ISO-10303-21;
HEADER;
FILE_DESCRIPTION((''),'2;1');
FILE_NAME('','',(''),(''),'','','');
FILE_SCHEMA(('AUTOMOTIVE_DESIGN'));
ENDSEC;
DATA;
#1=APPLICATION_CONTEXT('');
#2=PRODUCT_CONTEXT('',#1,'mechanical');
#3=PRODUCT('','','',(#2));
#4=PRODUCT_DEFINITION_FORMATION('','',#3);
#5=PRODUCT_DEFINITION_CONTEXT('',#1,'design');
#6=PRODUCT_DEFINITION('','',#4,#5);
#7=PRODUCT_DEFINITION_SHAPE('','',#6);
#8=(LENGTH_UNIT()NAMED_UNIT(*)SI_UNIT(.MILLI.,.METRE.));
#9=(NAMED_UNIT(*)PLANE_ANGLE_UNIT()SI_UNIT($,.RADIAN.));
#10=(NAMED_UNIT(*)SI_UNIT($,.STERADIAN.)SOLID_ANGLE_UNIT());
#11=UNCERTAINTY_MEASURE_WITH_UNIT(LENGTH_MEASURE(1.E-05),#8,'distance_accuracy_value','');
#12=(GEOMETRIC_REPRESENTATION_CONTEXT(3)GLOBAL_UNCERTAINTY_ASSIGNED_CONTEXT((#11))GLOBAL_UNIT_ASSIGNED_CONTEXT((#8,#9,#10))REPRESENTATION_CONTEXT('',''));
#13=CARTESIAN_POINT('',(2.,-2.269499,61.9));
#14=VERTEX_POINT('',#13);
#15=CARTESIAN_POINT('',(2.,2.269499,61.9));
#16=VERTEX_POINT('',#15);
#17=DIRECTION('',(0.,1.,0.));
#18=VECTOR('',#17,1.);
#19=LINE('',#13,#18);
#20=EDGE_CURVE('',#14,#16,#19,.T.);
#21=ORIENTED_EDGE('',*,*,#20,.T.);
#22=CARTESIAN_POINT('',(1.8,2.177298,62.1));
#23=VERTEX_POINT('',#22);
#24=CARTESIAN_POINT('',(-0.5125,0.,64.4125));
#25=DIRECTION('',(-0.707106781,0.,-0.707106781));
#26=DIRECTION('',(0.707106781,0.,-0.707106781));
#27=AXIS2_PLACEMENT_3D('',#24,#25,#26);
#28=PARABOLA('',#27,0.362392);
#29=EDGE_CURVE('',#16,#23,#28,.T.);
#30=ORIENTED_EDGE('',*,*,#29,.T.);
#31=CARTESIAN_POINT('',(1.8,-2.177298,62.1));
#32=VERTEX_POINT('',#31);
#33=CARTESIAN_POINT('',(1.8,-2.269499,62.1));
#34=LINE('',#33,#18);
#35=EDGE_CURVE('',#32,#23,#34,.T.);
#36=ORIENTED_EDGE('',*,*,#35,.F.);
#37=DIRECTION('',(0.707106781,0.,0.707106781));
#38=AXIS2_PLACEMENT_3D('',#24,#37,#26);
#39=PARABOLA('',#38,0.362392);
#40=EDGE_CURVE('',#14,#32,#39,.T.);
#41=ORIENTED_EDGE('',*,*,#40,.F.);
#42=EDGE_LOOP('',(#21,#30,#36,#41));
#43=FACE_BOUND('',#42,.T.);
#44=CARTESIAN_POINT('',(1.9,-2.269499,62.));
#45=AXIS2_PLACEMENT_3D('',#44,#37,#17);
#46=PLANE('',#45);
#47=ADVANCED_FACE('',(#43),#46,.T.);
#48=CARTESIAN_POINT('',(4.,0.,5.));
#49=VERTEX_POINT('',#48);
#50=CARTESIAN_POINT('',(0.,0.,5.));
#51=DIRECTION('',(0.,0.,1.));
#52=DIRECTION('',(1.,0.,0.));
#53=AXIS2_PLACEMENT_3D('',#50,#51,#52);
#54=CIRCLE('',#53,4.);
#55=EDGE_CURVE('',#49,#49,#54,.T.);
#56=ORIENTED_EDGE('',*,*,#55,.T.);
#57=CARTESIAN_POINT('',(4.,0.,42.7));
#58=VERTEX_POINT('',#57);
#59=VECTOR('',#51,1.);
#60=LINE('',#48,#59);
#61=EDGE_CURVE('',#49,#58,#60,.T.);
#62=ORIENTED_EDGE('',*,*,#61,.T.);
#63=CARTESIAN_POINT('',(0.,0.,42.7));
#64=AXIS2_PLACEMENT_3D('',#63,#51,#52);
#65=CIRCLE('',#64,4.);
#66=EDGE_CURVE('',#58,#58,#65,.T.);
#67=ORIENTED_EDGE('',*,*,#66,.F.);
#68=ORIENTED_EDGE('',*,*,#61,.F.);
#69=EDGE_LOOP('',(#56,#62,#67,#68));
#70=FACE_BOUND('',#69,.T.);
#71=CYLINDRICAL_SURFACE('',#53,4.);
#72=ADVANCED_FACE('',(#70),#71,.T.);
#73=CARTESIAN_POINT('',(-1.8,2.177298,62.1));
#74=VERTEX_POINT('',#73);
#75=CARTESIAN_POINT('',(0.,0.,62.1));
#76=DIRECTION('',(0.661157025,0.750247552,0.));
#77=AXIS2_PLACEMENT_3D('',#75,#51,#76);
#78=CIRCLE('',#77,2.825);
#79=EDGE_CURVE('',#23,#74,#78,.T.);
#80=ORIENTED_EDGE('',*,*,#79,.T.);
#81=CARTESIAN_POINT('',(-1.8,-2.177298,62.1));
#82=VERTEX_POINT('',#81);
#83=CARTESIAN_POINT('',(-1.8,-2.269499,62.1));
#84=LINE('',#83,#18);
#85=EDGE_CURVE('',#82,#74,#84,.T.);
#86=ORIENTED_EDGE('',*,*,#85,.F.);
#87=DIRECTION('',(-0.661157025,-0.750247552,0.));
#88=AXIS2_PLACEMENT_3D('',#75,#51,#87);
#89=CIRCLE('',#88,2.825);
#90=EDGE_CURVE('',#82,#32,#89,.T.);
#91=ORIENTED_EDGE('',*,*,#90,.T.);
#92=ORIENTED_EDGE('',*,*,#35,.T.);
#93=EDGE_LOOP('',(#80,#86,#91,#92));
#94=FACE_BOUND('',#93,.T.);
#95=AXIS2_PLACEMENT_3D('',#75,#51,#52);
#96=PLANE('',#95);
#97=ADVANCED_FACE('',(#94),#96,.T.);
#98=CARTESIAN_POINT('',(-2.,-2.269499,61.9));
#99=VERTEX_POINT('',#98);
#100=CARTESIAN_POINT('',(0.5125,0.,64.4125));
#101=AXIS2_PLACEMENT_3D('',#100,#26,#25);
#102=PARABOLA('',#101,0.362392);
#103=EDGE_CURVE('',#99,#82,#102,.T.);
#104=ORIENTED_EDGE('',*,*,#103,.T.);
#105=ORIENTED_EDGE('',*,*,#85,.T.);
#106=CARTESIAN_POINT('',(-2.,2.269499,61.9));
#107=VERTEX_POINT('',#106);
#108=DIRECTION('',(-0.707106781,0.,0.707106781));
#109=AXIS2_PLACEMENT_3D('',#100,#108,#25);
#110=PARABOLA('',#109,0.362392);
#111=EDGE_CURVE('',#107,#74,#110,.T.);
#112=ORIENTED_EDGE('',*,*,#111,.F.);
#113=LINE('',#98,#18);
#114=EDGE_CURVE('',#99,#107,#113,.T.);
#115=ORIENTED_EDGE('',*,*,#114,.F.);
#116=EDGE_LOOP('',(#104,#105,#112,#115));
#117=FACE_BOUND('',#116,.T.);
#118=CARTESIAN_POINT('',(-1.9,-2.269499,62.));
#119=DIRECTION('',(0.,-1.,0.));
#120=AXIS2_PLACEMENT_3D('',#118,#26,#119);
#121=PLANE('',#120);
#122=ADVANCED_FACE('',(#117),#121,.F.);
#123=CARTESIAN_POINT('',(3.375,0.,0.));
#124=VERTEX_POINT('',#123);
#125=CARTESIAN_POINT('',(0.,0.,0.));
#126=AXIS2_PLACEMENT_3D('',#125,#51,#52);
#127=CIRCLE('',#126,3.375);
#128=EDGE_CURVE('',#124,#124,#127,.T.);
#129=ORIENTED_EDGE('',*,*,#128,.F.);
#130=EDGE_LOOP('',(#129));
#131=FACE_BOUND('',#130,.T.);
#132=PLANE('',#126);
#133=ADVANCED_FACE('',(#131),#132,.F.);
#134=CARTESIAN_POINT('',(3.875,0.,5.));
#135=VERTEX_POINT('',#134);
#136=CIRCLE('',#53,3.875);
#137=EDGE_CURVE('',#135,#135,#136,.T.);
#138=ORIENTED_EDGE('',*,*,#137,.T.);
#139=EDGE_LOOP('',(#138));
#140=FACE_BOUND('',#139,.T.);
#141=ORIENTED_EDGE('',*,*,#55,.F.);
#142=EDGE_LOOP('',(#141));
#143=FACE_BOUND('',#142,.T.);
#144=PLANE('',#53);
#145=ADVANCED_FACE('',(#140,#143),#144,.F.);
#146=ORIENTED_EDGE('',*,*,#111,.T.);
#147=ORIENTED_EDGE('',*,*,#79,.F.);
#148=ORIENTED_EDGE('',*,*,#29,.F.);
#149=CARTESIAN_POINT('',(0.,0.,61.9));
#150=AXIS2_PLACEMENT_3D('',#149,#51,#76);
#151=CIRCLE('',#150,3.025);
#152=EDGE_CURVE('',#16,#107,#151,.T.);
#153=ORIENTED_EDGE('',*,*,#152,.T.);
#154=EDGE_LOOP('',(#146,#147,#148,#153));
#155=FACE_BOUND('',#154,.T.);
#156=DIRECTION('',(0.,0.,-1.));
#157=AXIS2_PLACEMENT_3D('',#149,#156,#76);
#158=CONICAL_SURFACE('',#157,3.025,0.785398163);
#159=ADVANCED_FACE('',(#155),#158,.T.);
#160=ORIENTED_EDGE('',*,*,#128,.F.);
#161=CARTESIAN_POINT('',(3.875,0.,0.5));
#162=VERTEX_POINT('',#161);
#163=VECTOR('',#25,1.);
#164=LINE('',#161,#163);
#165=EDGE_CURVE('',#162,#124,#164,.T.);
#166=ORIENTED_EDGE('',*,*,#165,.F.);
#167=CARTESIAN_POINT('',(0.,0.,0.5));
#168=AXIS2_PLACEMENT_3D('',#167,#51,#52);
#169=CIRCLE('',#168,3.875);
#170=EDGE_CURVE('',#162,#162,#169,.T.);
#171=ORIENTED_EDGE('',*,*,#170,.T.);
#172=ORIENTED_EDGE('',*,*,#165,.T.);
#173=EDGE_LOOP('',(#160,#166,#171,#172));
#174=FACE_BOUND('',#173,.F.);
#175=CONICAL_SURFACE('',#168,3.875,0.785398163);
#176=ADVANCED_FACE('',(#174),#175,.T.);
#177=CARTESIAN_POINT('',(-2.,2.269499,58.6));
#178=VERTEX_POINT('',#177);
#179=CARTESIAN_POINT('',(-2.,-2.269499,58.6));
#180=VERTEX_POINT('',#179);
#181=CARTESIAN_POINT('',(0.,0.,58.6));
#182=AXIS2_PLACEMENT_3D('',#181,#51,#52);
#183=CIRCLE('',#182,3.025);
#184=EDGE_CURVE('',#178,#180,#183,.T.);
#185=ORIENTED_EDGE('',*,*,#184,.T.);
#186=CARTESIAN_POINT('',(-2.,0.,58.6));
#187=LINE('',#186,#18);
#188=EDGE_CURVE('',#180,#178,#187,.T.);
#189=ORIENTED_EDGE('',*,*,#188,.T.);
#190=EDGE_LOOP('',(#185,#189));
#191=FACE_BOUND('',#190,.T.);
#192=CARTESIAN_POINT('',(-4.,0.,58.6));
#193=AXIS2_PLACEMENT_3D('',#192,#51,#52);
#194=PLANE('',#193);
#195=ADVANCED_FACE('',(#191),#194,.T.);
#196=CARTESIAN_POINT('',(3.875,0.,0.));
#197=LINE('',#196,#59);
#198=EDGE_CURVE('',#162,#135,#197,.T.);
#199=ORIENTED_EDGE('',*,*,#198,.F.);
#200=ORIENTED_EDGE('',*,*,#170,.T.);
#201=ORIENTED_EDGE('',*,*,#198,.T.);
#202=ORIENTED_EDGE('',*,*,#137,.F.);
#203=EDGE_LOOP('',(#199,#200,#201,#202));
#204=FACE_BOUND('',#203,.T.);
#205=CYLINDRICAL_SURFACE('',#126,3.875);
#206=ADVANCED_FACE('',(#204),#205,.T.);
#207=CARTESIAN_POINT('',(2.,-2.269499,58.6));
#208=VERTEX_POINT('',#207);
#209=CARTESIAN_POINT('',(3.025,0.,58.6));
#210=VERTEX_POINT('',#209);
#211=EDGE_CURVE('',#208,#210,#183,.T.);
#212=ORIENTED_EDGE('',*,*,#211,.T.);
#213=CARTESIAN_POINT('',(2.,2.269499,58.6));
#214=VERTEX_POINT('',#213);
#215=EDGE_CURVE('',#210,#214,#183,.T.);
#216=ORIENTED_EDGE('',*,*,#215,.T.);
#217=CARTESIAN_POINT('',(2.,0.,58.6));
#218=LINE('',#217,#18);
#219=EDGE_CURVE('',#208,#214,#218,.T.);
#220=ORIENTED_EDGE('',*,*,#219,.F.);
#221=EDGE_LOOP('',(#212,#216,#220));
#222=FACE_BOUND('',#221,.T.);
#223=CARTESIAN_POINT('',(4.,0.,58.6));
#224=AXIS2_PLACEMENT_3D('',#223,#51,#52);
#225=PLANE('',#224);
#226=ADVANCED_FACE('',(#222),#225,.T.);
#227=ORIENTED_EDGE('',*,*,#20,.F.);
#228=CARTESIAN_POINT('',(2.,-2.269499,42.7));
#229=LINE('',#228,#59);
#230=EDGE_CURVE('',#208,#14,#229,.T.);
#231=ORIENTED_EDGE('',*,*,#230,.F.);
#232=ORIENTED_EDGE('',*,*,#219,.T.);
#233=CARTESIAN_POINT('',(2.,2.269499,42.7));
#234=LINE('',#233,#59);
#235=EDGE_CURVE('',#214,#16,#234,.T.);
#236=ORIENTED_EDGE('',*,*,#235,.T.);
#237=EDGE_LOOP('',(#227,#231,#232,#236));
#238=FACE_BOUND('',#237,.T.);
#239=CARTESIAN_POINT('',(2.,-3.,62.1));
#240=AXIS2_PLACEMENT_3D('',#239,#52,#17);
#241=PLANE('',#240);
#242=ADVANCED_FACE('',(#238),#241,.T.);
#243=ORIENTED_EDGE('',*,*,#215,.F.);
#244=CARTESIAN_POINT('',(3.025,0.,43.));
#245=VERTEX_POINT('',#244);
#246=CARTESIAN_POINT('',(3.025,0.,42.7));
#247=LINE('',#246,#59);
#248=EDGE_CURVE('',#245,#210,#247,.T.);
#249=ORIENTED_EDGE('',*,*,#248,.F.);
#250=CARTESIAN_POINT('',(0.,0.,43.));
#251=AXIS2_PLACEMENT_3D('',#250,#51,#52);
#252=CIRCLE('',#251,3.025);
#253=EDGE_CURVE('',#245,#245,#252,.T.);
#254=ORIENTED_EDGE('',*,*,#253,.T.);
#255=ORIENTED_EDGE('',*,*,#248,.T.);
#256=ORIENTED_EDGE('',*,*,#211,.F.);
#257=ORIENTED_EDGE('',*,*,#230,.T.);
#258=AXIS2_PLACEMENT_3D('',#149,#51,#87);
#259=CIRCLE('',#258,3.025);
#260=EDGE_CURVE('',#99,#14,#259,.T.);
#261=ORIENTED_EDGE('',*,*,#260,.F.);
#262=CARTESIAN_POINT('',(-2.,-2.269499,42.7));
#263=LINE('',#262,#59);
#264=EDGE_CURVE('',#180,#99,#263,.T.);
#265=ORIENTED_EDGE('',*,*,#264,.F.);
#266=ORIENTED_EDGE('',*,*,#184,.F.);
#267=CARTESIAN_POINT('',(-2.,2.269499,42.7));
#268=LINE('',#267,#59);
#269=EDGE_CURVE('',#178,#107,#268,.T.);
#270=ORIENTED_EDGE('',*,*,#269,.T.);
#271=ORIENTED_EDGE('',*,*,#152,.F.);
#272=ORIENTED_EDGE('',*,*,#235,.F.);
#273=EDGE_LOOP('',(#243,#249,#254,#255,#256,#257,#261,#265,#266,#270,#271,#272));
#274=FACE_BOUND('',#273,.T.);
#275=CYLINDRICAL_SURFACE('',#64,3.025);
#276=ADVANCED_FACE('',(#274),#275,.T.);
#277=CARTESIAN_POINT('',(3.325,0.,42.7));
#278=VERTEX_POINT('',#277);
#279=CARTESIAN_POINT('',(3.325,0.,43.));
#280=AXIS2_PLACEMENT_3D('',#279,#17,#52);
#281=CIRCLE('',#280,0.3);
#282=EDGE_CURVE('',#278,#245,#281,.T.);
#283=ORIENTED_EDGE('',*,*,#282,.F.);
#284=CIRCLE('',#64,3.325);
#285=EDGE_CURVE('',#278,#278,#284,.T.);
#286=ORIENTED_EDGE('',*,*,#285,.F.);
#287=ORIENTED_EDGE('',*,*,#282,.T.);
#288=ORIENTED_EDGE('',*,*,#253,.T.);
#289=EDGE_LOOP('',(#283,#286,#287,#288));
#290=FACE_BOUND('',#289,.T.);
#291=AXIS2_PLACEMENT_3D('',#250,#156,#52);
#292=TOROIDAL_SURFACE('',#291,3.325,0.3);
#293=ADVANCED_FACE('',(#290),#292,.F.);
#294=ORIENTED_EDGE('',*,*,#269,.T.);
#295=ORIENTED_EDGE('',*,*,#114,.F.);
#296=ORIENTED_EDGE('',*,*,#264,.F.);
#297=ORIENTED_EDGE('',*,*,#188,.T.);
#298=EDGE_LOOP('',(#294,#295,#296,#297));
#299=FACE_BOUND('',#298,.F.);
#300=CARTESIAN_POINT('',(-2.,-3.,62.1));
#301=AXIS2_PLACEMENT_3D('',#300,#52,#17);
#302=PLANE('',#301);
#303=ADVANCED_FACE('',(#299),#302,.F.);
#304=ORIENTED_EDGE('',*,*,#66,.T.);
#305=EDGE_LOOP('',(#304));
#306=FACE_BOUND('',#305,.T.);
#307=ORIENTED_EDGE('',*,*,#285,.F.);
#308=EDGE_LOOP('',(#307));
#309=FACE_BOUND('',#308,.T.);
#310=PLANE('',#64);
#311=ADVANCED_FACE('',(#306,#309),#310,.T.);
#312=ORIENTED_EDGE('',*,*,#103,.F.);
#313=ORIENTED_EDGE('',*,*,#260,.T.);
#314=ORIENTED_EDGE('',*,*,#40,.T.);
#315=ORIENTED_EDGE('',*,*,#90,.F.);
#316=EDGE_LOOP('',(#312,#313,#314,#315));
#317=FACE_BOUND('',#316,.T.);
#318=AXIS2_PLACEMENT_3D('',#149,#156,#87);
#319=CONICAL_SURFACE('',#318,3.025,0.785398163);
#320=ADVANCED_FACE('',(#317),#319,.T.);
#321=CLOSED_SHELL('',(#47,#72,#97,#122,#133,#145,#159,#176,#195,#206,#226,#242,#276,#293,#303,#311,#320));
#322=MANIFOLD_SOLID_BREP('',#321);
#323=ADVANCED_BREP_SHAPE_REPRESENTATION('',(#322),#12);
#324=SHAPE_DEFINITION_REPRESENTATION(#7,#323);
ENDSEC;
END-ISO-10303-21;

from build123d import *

# Parameters (mm, degrees)
F2_R     = 0.3
F3_SIZE2 = 0.5
F3_SIZE  = 0.5
F4_W     = 4
F4_H     = 6
F5_DEPTH = 3.5
F6_SIZE2 = 0.2
F6_SIZE  = 0.2


with BuildPart() as f1:
    # F0 (on Front) → F1 (revolve)
    with BuildSketch(Plane.XZ):
        Polygon((0, 62.1), (0, 0), (3.875, 0), (3.875, 5), (4, 5), (4, 42.7), (3.025, 42.7), (3.025, 62.1), align=None)
    revolve(axis=Axis((0, 0, 31.05), (0, 0, 1)))

    # F2
    f2_edges = [f1.edges().sort_by_distance(p)[0] for p in [
        (-3.025, 0, 42.7),
    ]]
    fillet(f2_edges, radius=F2_R)

    # F3
    f3_edges = [f1.edges().sort_by_distance(p)[0] for p in [
        (-3.875, 0, 0),
    ]]
    chamfer(f3_edges, length=F3_SIZE, length2=F3_SIZE2)

    # F4 (on face) → F5 (cut)
    with BuildSketch(Plane.XY.offset(62.1)):
        with Locations((-4, 0)):
            Rectangle(F4_W, F4_H)
        with Locations((4, 0)):
            Rectangle(F4_W, F4_H)
    extrude(amount=-F5_DEPTH, mode=Mode.SUBTRACT)

    # F6
    f6_edges = [f1.edges().sort_by_distance(p)[0] for p in [
        (2, 0, 62.1),
        (0, 3.025, 62.1),
        (0, -3.025, 62.1),
        (-2, 0, 62.1),
    ]]
    chamfer(f6_edges, length=F6_SIZE, length2=F6_SIZE2)


solid = f1.part
